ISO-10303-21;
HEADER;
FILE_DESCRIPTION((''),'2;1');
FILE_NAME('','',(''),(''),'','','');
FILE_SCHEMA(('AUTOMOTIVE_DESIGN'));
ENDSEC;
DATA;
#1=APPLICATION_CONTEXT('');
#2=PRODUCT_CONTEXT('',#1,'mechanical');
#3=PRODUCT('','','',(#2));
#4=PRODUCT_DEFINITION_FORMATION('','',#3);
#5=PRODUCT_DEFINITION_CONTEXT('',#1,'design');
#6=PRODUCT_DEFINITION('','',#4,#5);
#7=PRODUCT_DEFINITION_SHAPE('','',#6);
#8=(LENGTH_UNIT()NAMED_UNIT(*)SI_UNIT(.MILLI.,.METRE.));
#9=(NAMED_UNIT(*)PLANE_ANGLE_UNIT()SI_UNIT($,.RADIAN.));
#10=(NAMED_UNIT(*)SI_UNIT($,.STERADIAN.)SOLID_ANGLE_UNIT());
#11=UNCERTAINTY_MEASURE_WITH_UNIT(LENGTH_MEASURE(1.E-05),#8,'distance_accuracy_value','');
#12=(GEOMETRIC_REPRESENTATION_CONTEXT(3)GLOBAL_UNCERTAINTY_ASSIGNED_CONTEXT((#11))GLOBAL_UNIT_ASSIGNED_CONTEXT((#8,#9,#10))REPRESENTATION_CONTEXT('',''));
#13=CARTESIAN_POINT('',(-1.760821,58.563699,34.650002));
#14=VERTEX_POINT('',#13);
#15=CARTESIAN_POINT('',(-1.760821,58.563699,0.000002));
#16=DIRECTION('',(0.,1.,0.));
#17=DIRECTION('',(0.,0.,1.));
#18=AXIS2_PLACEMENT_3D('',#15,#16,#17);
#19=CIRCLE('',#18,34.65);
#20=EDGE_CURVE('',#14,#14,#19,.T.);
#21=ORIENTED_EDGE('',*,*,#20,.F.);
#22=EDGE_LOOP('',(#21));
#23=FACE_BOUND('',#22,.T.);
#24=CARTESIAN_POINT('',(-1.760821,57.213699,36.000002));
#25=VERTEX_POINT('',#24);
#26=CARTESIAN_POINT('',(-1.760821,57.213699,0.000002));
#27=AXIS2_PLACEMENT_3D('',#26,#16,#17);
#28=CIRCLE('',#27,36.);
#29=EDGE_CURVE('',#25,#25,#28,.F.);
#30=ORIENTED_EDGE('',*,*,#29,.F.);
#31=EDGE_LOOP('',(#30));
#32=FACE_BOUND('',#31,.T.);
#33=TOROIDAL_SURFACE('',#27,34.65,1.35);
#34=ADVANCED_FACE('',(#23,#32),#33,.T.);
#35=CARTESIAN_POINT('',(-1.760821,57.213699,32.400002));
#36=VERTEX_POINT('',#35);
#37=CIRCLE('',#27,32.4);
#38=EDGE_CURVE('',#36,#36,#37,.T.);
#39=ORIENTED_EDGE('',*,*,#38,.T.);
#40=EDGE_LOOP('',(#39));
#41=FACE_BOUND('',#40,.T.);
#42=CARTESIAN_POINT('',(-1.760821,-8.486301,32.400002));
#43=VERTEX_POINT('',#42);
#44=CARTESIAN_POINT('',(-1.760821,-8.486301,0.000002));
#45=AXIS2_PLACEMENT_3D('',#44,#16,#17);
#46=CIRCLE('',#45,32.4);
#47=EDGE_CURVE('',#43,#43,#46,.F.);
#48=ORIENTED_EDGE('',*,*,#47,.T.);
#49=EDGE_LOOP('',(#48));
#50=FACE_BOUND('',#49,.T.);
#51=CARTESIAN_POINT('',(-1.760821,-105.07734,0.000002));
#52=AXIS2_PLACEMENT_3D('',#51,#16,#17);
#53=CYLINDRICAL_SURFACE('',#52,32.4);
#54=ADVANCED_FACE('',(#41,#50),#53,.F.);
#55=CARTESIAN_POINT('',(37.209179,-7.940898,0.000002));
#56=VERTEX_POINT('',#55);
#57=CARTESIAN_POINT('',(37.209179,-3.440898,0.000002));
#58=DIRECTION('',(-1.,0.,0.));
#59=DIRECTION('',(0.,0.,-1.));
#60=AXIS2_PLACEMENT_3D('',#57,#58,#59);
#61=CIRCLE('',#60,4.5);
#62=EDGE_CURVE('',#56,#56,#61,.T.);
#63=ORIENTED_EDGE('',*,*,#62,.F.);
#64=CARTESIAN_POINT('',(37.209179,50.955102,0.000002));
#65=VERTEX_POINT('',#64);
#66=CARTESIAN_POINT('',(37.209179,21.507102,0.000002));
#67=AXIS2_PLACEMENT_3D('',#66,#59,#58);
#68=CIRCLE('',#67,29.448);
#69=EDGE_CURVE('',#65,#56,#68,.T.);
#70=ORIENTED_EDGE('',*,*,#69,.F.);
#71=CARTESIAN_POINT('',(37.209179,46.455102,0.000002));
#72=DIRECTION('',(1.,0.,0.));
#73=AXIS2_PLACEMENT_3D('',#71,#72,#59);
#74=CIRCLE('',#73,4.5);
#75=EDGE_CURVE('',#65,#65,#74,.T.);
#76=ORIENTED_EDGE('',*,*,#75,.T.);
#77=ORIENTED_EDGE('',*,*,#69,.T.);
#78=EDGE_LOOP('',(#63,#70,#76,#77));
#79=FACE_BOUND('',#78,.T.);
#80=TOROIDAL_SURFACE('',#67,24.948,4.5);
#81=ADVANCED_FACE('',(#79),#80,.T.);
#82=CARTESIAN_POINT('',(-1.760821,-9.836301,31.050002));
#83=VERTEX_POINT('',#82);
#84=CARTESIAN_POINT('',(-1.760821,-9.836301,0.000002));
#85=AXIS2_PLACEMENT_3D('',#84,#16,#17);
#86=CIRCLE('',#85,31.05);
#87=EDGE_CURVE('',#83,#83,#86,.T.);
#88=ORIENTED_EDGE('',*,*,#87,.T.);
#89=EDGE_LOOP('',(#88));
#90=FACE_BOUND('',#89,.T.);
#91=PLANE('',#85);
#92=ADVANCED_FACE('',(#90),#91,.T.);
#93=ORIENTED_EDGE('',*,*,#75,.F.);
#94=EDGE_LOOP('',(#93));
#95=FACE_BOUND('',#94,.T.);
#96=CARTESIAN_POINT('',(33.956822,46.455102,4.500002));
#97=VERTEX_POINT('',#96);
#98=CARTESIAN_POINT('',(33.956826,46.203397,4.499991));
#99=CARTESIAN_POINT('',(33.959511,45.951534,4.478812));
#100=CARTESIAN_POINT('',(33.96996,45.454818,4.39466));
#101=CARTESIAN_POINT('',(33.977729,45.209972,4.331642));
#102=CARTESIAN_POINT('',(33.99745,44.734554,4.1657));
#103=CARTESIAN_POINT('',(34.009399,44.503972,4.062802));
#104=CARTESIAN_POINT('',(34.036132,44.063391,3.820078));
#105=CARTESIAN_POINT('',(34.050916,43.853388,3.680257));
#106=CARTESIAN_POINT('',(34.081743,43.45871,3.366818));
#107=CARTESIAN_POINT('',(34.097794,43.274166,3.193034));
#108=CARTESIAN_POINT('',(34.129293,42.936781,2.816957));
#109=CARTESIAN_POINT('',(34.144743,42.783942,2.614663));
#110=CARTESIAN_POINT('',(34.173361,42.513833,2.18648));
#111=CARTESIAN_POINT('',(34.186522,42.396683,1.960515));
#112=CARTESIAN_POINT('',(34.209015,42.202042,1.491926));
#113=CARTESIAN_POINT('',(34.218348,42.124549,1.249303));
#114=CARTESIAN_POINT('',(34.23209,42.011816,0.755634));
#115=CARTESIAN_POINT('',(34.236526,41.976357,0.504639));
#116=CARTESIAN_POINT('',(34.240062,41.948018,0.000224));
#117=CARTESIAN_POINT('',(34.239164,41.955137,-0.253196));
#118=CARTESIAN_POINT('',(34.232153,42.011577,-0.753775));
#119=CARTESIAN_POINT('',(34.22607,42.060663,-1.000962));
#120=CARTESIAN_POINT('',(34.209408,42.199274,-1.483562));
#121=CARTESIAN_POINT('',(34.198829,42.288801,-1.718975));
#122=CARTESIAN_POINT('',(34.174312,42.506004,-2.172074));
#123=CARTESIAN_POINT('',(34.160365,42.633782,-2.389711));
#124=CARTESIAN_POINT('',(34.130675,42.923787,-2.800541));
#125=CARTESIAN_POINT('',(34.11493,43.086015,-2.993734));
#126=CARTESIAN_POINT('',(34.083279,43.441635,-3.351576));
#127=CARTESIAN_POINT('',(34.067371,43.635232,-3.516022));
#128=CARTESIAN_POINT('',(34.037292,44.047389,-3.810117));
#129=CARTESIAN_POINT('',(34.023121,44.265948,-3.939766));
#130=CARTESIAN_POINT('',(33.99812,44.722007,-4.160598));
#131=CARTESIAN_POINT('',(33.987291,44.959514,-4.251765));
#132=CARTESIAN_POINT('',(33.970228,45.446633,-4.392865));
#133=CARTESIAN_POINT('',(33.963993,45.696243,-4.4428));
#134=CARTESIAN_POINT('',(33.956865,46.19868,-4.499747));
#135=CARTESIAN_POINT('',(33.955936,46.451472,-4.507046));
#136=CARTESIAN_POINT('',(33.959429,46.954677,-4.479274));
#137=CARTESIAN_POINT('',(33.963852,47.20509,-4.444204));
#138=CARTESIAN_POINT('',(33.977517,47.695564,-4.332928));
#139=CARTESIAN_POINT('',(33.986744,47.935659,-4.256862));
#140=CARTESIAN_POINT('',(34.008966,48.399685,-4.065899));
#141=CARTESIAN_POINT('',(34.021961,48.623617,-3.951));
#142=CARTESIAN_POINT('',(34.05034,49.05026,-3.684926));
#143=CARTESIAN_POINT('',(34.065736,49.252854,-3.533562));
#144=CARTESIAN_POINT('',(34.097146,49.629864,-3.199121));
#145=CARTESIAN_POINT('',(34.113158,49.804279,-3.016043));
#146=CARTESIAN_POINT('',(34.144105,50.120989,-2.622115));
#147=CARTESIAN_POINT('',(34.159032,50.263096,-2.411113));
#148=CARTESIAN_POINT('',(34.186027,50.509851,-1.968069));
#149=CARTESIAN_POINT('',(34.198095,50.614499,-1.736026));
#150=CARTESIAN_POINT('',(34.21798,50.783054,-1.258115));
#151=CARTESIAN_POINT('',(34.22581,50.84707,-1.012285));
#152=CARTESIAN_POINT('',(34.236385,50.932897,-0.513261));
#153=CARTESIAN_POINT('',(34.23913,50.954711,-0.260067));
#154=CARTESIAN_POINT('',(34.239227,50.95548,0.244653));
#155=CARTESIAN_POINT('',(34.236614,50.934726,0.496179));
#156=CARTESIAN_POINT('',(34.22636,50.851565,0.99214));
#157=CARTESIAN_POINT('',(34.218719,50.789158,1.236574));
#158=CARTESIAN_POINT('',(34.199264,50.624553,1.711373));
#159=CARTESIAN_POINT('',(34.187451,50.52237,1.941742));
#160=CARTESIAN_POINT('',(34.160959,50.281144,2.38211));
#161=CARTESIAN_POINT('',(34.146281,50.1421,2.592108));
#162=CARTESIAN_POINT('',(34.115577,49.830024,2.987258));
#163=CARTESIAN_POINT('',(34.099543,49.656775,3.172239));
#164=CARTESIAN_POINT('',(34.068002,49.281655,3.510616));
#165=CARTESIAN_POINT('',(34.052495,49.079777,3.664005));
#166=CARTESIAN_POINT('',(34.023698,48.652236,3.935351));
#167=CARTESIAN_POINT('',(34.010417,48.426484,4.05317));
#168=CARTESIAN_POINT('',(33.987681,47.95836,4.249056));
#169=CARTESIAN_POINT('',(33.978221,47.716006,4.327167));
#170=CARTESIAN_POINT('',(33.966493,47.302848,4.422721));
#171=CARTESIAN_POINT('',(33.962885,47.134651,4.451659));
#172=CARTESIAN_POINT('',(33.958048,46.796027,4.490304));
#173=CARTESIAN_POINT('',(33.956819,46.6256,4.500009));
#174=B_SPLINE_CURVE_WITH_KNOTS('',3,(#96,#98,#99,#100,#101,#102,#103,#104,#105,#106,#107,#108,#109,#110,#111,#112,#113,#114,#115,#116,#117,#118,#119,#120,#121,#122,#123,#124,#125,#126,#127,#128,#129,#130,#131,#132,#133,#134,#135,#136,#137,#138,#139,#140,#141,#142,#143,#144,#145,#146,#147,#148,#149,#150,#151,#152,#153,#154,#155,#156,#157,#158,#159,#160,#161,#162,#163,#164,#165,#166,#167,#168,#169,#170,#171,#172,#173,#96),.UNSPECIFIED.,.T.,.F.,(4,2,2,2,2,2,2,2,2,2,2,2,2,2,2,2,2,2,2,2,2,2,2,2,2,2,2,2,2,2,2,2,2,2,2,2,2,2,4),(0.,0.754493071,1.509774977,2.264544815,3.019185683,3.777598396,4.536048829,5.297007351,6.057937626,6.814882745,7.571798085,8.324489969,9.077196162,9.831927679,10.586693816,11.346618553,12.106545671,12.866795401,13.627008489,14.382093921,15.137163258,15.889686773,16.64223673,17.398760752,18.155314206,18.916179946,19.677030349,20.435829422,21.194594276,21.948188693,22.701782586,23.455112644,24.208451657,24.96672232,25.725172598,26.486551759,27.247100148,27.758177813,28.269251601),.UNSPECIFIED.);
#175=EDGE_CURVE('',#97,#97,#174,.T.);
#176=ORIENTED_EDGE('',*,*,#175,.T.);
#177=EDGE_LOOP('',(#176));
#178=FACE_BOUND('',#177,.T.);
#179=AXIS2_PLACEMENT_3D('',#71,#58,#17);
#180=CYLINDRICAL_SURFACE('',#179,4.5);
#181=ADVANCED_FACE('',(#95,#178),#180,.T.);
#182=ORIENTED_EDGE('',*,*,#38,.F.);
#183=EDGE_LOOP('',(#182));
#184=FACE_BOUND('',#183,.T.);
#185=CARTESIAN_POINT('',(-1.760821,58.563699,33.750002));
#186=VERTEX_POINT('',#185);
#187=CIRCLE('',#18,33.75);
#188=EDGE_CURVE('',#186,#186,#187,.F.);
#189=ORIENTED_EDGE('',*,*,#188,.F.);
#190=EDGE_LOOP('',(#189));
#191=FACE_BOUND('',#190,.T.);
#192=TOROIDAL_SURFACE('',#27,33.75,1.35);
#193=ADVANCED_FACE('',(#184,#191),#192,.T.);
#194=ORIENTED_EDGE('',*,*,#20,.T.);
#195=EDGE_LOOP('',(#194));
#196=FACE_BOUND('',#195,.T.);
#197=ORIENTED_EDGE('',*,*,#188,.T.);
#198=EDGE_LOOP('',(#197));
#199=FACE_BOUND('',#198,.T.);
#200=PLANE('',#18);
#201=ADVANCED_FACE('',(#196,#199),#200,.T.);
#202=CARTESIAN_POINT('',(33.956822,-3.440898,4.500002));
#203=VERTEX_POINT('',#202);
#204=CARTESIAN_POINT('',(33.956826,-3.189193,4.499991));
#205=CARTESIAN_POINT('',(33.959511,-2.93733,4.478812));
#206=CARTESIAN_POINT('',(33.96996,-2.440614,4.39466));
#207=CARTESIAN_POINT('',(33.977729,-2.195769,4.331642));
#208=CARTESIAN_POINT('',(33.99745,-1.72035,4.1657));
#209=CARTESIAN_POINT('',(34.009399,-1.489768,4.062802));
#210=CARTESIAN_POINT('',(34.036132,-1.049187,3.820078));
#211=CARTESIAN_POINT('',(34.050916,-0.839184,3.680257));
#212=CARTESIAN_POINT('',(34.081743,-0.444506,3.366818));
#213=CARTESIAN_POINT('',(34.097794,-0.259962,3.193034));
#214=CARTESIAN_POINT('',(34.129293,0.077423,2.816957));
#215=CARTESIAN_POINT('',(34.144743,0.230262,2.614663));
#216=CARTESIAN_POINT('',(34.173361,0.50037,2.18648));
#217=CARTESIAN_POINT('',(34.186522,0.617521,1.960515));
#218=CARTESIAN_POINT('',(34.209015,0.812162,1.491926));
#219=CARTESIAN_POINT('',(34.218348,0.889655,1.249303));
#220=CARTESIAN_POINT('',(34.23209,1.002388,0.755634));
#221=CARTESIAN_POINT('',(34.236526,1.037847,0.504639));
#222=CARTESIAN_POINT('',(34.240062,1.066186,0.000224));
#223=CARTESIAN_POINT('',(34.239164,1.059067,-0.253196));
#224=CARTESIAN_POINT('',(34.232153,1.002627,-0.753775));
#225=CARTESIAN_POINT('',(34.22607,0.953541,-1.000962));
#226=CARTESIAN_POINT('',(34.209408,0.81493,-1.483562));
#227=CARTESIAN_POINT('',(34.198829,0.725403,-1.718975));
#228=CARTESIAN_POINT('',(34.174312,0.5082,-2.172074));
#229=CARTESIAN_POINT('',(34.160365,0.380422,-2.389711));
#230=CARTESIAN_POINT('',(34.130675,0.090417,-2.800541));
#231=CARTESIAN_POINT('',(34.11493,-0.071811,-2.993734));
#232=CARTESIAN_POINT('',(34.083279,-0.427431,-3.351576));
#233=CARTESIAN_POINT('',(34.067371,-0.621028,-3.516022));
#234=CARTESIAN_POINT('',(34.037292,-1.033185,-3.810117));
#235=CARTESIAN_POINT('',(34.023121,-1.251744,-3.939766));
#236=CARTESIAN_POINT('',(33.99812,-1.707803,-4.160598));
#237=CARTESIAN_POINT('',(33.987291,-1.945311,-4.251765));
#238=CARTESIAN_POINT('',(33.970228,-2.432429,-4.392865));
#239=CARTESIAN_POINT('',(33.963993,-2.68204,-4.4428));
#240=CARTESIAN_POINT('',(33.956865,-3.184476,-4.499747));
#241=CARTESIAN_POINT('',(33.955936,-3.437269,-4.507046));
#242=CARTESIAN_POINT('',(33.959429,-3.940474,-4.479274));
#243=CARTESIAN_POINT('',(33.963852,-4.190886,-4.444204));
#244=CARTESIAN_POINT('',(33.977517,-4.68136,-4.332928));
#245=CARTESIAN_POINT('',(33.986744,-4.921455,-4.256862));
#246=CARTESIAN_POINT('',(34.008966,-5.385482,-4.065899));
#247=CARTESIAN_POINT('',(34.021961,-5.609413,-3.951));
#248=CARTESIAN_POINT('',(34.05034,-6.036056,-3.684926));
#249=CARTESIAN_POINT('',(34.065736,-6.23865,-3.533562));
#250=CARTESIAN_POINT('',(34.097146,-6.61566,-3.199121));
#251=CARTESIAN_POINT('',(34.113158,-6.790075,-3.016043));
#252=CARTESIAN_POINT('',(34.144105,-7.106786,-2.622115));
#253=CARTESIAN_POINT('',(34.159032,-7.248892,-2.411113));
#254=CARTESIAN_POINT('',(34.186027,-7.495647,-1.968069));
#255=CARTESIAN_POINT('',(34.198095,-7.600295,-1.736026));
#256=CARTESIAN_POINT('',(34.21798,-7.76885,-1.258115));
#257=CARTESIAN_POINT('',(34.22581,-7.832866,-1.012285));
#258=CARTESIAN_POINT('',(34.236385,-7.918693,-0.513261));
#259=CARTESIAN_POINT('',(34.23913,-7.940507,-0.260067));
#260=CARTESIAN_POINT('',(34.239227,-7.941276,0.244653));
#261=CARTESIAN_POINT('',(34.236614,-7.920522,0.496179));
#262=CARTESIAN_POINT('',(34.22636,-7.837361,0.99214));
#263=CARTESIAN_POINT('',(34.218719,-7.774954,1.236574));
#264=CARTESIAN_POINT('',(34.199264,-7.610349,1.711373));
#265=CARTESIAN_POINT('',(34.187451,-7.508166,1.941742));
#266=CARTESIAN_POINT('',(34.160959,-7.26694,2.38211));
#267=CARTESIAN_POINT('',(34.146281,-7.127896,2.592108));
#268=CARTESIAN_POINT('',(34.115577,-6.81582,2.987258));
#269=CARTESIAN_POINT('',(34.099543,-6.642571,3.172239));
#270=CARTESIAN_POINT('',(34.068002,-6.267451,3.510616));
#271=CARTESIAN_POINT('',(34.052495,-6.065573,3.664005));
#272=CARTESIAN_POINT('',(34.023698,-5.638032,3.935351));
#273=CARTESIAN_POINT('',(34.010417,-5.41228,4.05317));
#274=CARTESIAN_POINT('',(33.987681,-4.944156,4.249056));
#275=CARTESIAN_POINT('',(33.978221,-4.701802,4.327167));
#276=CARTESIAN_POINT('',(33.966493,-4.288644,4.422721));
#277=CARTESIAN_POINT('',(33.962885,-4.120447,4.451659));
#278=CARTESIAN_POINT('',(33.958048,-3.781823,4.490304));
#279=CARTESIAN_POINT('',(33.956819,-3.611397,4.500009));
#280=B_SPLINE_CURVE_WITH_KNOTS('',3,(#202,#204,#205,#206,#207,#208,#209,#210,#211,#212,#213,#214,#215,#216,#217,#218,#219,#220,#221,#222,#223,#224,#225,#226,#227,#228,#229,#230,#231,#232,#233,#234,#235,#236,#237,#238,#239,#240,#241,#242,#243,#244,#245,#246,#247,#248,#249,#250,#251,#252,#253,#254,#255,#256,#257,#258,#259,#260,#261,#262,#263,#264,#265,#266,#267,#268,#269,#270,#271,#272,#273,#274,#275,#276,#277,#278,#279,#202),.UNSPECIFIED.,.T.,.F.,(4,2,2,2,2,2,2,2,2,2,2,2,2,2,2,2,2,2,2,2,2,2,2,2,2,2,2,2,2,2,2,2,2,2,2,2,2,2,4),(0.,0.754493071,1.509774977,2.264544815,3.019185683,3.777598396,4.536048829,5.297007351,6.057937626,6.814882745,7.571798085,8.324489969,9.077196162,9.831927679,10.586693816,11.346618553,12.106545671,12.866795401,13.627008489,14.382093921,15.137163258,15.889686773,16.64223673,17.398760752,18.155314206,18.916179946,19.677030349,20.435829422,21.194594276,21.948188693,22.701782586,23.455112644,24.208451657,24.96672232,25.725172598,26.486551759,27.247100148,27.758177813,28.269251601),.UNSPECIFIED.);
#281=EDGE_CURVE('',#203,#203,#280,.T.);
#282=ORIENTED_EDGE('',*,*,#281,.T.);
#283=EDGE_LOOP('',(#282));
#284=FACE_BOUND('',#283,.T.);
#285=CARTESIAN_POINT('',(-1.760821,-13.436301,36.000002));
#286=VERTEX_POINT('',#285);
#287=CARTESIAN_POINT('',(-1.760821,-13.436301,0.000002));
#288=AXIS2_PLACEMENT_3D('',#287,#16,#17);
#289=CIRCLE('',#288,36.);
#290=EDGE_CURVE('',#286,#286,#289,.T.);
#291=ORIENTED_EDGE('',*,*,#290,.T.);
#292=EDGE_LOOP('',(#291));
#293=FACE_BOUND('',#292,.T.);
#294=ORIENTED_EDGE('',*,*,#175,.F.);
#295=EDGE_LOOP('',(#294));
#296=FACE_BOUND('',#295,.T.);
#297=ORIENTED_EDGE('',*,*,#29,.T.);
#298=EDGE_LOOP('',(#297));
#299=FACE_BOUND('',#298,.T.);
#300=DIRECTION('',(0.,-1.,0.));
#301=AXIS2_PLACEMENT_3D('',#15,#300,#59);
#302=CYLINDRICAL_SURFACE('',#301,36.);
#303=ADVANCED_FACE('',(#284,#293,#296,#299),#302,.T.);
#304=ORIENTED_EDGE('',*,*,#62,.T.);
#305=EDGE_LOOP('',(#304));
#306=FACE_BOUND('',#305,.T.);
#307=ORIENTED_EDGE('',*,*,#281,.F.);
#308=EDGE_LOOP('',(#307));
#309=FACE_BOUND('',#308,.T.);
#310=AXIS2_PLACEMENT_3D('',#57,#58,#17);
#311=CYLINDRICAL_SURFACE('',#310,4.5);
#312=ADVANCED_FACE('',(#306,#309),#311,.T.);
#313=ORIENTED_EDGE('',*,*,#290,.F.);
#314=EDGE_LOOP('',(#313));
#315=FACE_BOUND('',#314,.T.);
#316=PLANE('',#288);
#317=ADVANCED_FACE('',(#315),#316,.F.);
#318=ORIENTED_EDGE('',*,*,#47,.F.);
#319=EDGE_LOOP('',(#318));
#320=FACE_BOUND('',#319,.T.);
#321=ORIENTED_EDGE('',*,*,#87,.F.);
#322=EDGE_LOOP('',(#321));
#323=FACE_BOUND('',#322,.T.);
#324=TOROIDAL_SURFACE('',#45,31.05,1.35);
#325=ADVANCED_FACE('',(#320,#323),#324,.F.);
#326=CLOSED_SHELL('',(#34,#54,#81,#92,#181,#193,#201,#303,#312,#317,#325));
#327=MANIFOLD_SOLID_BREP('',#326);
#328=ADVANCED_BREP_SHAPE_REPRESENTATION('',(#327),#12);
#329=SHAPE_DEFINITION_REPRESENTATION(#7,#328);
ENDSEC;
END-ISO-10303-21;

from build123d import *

# Parameters (mm, degrees)
SKETCH1_R          = 20
EXTRUDE1_DEPTH     = 40
SKETCH2_R          = 2.5
SKETCH4_R          = 18
CUT_EXTRUDE1_DEPTH = 38
FILLET1_R          = 0.75
FILLET2_R          = 0.75
SCALE2_SCALE       = 1.8


with BuildPart() as part:
    # Sketch1 → Extrude1 (new body)
    with BuildSketch(Plane(origin=(0, 0, 0), x_dir=(1, 0, 0), z_dir=(0, 1, 0))):
        Circle(SKETCH1_R)
    extrude(amount=EXTRUDE1_DEPTH)

    # Sweep1: sweep along a path in Sketch3
    with BuildLine(Plane.XY) as sweep1_path:
        Line((0, 30.773001508), (21.65, 30.773001508))
        ThreePointArc((21.65, 30.773001508), (33.01, 19.413001508), (21.65, 8.053001508))
        Line((21.65, 8.053001508), (0, 8.053001508))
    # Sketch2 → Sweep1 (sweep)
    with BuildSketch(Plane(origin=(0, 0, 0), x_dir=(0, 0, -1), z_dir=(1, 0, 0))):
        with Locations((0, 33.273001508)):
            Circle(SKETCH2_R)
    sweep(path=sweep1_path.line)

    # Sketch4 → Cut-Extrude1 (cut)
    with BuildSketch(Plane(origin=(0, 40, 0), x_dir=(-1, 0, 0), z_dir=(0, 1, 0))):
        Circle(SKETCH4_R)
    extrude(amount=-CUT_EXTRUDE1_DEPTH, mode=Mode.SUBTRACT)

    # Fillet1
    fillet1_edges = [part.edges().sort_by_distance(p)[0] for p in [
        (18, 40, 0),
        (-20, 40, 0),
    ]]
    fillet(fillet1_edges, radius=FILLET1_R)

    # Fillet2
    fillet2_edges = [part.edges().sort_by_distance(p)[0] for p in [
        (18, 2, 0),
    ]]
    fillet(fillet2_edges, radius=FILLET2_R)


with BuildPart() as part_1:
    # Scale2: scaled about (2.200885097, 16.795438051, 2.029e-06)
    add(part.part.scale(SCALE2_SCALE).moved(Location((-1.760708078, -13.436350441, -1.623e-06))))


solid = part_1.part
